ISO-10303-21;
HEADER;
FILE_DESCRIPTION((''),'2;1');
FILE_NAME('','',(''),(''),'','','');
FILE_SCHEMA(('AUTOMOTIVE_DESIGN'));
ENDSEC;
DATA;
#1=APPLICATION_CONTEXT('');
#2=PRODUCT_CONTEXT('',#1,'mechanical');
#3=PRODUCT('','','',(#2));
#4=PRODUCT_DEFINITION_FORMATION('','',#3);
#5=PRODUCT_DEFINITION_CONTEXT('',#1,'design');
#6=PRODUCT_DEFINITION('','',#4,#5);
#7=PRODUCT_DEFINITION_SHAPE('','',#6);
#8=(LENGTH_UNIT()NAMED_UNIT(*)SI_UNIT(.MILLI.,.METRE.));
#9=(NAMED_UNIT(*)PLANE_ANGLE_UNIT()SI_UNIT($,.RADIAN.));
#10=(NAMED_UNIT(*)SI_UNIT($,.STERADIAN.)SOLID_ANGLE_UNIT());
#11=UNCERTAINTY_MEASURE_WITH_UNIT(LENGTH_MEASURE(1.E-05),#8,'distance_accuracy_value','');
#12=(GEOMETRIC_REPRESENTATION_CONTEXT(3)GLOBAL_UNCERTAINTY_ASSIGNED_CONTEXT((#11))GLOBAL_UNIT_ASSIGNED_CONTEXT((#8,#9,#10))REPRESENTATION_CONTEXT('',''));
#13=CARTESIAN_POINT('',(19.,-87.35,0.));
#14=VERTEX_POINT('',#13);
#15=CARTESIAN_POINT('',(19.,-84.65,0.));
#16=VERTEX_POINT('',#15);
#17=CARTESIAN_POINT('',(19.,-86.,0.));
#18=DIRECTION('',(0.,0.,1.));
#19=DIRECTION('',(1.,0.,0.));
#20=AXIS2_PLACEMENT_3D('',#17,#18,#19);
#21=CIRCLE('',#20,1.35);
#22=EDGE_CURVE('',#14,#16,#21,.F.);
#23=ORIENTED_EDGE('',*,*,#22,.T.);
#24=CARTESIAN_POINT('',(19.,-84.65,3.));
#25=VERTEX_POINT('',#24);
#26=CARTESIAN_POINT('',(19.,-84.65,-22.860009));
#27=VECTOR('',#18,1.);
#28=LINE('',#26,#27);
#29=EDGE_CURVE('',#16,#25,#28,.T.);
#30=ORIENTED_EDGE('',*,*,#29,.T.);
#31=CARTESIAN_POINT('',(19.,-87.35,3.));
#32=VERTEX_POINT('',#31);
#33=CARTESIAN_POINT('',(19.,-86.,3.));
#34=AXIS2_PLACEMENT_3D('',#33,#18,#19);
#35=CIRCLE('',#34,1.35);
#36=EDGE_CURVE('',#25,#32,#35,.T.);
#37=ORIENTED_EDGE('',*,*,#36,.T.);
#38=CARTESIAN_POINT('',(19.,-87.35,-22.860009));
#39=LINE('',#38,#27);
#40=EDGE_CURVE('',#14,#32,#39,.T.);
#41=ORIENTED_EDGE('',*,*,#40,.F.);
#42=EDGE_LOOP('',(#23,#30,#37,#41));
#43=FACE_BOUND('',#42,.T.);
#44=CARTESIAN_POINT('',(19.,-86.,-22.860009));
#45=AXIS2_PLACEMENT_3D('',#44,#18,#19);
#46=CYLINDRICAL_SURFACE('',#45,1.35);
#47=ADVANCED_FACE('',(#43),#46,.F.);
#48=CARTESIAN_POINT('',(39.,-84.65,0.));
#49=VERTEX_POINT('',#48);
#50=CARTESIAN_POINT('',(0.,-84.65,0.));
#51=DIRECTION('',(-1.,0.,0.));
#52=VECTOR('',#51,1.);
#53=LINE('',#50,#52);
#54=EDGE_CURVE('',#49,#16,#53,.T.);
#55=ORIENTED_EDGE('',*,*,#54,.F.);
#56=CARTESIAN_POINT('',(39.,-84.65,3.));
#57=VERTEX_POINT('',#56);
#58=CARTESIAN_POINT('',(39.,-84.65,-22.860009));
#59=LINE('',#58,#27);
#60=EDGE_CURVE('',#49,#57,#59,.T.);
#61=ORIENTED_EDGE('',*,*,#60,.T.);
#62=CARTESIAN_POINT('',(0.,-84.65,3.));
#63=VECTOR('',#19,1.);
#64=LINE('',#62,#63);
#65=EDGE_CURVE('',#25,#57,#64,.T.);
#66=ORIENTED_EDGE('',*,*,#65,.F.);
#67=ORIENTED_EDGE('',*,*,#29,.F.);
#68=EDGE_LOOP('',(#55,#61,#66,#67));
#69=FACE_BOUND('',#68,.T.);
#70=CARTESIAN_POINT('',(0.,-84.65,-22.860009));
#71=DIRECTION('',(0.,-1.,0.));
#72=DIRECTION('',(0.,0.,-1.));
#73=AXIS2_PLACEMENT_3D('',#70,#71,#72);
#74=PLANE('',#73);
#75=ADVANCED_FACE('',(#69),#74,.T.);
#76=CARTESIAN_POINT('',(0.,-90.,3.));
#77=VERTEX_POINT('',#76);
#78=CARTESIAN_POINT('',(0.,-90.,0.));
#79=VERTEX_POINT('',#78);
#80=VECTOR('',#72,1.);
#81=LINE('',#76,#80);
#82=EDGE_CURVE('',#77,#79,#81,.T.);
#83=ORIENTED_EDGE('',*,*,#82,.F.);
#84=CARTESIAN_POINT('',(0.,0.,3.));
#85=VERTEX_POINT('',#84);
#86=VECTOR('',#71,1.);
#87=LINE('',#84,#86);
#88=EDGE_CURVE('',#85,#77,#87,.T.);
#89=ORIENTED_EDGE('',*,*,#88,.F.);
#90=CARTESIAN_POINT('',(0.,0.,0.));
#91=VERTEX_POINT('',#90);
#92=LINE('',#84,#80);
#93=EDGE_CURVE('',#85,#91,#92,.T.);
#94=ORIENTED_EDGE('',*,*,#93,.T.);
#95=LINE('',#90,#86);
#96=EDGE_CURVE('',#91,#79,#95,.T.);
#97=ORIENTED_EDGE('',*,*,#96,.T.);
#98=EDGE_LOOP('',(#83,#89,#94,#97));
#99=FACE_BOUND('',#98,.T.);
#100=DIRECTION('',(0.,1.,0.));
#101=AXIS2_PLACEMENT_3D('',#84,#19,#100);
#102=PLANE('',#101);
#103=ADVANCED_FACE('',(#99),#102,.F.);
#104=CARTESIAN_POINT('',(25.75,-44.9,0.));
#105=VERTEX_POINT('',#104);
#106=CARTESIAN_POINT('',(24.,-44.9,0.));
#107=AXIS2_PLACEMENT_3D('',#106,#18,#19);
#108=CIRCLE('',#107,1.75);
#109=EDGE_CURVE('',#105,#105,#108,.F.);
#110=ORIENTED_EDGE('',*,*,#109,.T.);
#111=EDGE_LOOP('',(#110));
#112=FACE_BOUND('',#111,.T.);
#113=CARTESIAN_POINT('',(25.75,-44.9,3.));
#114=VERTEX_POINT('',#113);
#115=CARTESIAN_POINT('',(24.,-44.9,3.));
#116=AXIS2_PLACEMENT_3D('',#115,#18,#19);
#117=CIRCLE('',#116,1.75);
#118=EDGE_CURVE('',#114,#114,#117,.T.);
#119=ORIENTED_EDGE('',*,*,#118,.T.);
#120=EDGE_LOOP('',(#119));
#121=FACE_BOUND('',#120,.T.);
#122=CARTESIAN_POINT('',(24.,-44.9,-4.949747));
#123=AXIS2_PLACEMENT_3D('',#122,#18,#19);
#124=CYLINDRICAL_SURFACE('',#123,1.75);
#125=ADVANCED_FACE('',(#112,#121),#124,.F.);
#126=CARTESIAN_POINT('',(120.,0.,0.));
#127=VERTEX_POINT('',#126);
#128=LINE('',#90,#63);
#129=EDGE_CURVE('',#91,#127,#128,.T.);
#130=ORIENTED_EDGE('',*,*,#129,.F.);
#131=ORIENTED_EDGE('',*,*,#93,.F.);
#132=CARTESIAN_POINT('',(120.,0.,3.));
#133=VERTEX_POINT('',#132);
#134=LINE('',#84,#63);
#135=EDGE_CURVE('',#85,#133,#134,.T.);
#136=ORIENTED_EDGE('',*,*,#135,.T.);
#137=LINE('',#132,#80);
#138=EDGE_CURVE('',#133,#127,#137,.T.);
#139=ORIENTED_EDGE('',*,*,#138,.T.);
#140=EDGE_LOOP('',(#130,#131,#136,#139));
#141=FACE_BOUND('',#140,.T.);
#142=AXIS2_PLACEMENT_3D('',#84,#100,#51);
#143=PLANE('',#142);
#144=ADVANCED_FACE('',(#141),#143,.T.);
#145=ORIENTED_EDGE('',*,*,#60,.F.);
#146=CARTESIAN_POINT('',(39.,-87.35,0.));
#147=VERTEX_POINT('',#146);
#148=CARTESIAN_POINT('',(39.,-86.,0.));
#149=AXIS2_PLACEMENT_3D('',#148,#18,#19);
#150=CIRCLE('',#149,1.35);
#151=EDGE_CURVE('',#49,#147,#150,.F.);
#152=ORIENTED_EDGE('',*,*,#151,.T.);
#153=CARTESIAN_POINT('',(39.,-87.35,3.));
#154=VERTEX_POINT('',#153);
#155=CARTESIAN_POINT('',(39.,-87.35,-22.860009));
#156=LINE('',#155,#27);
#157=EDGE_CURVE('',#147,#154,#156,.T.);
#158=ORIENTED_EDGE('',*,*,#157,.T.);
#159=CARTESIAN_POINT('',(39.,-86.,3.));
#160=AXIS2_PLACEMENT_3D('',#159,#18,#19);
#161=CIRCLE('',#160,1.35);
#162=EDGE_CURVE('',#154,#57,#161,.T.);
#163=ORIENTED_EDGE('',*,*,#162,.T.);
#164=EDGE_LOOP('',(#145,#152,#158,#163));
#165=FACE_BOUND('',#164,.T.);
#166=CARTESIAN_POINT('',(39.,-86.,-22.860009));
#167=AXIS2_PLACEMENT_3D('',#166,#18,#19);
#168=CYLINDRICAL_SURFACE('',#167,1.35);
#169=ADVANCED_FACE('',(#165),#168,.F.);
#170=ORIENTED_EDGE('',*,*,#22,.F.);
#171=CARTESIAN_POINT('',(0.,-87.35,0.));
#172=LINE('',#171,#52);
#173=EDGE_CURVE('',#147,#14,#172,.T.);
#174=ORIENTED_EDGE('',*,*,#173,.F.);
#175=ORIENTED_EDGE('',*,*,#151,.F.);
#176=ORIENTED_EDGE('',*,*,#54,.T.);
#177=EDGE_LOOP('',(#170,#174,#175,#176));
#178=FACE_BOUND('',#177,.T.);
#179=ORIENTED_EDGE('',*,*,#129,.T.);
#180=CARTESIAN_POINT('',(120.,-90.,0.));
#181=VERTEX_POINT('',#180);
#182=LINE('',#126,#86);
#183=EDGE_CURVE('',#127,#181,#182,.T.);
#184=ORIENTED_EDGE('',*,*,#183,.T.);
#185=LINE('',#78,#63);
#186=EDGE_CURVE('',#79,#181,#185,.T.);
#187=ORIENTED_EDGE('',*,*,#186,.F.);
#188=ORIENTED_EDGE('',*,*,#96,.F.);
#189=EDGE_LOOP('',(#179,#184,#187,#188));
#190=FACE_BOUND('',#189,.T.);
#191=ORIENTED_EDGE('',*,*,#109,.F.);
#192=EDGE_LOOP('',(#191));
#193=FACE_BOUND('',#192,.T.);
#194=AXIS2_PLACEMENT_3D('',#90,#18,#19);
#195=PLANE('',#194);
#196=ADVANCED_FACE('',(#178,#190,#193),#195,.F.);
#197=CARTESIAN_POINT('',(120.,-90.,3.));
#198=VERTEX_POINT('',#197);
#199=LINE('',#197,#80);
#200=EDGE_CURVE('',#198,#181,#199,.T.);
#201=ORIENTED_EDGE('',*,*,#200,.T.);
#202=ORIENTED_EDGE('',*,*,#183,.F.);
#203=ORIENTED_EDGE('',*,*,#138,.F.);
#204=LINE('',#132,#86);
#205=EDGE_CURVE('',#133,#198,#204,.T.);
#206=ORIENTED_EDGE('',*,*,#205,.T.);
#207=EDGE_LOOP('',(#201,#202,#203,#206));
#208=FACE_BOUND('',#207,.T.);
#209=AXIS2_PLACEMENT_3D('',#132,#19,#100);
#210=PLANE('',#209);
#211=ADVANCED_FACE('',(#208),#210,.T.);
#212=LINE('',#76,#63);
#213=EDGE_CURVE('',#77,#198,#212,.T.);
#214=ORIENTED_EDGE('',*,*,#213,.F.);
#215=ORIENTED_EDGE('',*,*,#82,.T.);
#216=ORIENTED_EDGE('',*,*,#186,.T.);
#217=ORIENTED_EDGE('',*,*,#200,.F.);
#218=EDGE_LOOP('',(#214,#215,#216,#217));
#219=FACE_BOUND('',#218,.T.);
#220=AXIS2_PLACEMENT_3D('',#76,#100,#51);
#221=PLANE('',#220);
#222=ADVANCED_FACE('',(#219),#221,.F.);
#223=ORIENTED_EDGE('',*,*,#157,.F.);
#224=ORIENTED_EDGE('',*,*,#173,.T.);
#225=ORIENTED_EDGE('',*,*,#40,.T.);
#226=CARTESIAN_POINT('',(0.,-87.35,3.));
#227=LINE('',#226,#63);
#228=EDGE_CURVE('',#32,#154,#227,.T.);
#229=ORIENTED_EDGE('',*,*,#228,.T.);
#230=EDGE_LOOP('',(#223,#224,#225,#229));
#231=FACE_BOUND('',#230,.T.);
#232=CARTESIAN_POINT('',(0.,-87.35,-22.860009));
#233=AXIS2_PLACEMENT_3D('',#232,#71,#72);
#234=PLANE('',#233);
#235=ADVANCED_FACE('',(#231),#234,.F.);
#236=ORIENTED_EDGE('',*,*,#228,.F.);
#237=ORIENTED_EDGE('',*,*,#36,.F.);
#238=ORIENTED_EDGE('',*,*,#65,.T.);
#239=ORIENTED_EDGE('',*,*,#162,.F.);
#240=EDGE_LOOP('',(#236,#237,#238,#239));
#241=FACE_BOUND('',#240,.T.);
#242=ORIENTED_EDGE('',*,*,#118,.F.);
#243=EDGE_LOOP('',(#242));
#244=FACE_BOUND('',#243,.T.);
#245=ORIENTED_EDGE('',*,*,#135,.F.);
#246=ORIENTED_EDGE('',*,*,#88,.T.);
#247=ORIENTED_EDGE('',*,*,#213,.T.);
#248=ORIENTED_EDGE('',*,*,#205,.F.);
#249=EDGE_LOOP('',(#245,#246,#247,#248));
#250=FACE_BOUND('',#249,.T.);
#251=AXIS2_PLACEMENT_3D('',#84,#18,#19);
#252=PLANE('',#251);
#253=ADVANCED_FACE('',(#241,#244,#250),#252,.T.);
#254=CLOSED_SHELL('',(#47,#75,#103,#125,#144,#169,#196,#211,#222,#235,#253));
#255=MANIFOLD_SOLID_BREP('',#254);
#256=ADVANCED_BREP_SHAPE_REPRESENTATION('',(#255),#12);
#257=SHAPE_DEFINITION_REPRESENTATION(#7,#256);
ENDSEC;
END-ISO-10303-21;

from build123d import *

# Parameters (mm, degrees)
SKETCH1_W           = 120
SKETCH1_H           = 90
BOSS_EXTRUDE1_DEPTH = 3
SKETCH2_R           = 1.75
CUT_EXTRUDE1_DEPTH  = 3
CUT_EXTRUDE2_DEPTH  = 3


with BuildPart() as part:
    # Sketch1 → Boss-Extrude1 (new body)
    with BuildSketch(Plane.XY):
        with Locations((60, -45)):
            Rectangle(SKETCH1_W, SKETCH1_H)
    extrude(amount=BOSS_EXTRUDE1_DEPTH)

    # Sketch2 → Cut-Extrude1 (cut)
    with BuildSketch(Plane.XY.offset(3)):
        with Locations((24, -44.9)):
            Circle(SKETCH2_R)
    extrude(amount=-CUT_EXTRUDE1_DEPTH, mode=Mode.SUBTRACT)

    # Sketch3 → Cut-Extrude2 (cut)
    with BuildSketch(Plane.XY.offset(3)):
        with BuildLine():
            Line((19, -84.65), (39, -84.65))
            ThreePointArc((39, -84.65), (40.35, -86), (39, -87.35))
            Line((39, -87.35), (19, -87.35))
            ThreePointArc((19, -87.35), (17.65, -86), (19, -84.65))
        make_face()
    extrude(amount=-CUT_EXTRUDE2_DEPTH, mode=Mode.SUBTRACT)


solid = part.part
